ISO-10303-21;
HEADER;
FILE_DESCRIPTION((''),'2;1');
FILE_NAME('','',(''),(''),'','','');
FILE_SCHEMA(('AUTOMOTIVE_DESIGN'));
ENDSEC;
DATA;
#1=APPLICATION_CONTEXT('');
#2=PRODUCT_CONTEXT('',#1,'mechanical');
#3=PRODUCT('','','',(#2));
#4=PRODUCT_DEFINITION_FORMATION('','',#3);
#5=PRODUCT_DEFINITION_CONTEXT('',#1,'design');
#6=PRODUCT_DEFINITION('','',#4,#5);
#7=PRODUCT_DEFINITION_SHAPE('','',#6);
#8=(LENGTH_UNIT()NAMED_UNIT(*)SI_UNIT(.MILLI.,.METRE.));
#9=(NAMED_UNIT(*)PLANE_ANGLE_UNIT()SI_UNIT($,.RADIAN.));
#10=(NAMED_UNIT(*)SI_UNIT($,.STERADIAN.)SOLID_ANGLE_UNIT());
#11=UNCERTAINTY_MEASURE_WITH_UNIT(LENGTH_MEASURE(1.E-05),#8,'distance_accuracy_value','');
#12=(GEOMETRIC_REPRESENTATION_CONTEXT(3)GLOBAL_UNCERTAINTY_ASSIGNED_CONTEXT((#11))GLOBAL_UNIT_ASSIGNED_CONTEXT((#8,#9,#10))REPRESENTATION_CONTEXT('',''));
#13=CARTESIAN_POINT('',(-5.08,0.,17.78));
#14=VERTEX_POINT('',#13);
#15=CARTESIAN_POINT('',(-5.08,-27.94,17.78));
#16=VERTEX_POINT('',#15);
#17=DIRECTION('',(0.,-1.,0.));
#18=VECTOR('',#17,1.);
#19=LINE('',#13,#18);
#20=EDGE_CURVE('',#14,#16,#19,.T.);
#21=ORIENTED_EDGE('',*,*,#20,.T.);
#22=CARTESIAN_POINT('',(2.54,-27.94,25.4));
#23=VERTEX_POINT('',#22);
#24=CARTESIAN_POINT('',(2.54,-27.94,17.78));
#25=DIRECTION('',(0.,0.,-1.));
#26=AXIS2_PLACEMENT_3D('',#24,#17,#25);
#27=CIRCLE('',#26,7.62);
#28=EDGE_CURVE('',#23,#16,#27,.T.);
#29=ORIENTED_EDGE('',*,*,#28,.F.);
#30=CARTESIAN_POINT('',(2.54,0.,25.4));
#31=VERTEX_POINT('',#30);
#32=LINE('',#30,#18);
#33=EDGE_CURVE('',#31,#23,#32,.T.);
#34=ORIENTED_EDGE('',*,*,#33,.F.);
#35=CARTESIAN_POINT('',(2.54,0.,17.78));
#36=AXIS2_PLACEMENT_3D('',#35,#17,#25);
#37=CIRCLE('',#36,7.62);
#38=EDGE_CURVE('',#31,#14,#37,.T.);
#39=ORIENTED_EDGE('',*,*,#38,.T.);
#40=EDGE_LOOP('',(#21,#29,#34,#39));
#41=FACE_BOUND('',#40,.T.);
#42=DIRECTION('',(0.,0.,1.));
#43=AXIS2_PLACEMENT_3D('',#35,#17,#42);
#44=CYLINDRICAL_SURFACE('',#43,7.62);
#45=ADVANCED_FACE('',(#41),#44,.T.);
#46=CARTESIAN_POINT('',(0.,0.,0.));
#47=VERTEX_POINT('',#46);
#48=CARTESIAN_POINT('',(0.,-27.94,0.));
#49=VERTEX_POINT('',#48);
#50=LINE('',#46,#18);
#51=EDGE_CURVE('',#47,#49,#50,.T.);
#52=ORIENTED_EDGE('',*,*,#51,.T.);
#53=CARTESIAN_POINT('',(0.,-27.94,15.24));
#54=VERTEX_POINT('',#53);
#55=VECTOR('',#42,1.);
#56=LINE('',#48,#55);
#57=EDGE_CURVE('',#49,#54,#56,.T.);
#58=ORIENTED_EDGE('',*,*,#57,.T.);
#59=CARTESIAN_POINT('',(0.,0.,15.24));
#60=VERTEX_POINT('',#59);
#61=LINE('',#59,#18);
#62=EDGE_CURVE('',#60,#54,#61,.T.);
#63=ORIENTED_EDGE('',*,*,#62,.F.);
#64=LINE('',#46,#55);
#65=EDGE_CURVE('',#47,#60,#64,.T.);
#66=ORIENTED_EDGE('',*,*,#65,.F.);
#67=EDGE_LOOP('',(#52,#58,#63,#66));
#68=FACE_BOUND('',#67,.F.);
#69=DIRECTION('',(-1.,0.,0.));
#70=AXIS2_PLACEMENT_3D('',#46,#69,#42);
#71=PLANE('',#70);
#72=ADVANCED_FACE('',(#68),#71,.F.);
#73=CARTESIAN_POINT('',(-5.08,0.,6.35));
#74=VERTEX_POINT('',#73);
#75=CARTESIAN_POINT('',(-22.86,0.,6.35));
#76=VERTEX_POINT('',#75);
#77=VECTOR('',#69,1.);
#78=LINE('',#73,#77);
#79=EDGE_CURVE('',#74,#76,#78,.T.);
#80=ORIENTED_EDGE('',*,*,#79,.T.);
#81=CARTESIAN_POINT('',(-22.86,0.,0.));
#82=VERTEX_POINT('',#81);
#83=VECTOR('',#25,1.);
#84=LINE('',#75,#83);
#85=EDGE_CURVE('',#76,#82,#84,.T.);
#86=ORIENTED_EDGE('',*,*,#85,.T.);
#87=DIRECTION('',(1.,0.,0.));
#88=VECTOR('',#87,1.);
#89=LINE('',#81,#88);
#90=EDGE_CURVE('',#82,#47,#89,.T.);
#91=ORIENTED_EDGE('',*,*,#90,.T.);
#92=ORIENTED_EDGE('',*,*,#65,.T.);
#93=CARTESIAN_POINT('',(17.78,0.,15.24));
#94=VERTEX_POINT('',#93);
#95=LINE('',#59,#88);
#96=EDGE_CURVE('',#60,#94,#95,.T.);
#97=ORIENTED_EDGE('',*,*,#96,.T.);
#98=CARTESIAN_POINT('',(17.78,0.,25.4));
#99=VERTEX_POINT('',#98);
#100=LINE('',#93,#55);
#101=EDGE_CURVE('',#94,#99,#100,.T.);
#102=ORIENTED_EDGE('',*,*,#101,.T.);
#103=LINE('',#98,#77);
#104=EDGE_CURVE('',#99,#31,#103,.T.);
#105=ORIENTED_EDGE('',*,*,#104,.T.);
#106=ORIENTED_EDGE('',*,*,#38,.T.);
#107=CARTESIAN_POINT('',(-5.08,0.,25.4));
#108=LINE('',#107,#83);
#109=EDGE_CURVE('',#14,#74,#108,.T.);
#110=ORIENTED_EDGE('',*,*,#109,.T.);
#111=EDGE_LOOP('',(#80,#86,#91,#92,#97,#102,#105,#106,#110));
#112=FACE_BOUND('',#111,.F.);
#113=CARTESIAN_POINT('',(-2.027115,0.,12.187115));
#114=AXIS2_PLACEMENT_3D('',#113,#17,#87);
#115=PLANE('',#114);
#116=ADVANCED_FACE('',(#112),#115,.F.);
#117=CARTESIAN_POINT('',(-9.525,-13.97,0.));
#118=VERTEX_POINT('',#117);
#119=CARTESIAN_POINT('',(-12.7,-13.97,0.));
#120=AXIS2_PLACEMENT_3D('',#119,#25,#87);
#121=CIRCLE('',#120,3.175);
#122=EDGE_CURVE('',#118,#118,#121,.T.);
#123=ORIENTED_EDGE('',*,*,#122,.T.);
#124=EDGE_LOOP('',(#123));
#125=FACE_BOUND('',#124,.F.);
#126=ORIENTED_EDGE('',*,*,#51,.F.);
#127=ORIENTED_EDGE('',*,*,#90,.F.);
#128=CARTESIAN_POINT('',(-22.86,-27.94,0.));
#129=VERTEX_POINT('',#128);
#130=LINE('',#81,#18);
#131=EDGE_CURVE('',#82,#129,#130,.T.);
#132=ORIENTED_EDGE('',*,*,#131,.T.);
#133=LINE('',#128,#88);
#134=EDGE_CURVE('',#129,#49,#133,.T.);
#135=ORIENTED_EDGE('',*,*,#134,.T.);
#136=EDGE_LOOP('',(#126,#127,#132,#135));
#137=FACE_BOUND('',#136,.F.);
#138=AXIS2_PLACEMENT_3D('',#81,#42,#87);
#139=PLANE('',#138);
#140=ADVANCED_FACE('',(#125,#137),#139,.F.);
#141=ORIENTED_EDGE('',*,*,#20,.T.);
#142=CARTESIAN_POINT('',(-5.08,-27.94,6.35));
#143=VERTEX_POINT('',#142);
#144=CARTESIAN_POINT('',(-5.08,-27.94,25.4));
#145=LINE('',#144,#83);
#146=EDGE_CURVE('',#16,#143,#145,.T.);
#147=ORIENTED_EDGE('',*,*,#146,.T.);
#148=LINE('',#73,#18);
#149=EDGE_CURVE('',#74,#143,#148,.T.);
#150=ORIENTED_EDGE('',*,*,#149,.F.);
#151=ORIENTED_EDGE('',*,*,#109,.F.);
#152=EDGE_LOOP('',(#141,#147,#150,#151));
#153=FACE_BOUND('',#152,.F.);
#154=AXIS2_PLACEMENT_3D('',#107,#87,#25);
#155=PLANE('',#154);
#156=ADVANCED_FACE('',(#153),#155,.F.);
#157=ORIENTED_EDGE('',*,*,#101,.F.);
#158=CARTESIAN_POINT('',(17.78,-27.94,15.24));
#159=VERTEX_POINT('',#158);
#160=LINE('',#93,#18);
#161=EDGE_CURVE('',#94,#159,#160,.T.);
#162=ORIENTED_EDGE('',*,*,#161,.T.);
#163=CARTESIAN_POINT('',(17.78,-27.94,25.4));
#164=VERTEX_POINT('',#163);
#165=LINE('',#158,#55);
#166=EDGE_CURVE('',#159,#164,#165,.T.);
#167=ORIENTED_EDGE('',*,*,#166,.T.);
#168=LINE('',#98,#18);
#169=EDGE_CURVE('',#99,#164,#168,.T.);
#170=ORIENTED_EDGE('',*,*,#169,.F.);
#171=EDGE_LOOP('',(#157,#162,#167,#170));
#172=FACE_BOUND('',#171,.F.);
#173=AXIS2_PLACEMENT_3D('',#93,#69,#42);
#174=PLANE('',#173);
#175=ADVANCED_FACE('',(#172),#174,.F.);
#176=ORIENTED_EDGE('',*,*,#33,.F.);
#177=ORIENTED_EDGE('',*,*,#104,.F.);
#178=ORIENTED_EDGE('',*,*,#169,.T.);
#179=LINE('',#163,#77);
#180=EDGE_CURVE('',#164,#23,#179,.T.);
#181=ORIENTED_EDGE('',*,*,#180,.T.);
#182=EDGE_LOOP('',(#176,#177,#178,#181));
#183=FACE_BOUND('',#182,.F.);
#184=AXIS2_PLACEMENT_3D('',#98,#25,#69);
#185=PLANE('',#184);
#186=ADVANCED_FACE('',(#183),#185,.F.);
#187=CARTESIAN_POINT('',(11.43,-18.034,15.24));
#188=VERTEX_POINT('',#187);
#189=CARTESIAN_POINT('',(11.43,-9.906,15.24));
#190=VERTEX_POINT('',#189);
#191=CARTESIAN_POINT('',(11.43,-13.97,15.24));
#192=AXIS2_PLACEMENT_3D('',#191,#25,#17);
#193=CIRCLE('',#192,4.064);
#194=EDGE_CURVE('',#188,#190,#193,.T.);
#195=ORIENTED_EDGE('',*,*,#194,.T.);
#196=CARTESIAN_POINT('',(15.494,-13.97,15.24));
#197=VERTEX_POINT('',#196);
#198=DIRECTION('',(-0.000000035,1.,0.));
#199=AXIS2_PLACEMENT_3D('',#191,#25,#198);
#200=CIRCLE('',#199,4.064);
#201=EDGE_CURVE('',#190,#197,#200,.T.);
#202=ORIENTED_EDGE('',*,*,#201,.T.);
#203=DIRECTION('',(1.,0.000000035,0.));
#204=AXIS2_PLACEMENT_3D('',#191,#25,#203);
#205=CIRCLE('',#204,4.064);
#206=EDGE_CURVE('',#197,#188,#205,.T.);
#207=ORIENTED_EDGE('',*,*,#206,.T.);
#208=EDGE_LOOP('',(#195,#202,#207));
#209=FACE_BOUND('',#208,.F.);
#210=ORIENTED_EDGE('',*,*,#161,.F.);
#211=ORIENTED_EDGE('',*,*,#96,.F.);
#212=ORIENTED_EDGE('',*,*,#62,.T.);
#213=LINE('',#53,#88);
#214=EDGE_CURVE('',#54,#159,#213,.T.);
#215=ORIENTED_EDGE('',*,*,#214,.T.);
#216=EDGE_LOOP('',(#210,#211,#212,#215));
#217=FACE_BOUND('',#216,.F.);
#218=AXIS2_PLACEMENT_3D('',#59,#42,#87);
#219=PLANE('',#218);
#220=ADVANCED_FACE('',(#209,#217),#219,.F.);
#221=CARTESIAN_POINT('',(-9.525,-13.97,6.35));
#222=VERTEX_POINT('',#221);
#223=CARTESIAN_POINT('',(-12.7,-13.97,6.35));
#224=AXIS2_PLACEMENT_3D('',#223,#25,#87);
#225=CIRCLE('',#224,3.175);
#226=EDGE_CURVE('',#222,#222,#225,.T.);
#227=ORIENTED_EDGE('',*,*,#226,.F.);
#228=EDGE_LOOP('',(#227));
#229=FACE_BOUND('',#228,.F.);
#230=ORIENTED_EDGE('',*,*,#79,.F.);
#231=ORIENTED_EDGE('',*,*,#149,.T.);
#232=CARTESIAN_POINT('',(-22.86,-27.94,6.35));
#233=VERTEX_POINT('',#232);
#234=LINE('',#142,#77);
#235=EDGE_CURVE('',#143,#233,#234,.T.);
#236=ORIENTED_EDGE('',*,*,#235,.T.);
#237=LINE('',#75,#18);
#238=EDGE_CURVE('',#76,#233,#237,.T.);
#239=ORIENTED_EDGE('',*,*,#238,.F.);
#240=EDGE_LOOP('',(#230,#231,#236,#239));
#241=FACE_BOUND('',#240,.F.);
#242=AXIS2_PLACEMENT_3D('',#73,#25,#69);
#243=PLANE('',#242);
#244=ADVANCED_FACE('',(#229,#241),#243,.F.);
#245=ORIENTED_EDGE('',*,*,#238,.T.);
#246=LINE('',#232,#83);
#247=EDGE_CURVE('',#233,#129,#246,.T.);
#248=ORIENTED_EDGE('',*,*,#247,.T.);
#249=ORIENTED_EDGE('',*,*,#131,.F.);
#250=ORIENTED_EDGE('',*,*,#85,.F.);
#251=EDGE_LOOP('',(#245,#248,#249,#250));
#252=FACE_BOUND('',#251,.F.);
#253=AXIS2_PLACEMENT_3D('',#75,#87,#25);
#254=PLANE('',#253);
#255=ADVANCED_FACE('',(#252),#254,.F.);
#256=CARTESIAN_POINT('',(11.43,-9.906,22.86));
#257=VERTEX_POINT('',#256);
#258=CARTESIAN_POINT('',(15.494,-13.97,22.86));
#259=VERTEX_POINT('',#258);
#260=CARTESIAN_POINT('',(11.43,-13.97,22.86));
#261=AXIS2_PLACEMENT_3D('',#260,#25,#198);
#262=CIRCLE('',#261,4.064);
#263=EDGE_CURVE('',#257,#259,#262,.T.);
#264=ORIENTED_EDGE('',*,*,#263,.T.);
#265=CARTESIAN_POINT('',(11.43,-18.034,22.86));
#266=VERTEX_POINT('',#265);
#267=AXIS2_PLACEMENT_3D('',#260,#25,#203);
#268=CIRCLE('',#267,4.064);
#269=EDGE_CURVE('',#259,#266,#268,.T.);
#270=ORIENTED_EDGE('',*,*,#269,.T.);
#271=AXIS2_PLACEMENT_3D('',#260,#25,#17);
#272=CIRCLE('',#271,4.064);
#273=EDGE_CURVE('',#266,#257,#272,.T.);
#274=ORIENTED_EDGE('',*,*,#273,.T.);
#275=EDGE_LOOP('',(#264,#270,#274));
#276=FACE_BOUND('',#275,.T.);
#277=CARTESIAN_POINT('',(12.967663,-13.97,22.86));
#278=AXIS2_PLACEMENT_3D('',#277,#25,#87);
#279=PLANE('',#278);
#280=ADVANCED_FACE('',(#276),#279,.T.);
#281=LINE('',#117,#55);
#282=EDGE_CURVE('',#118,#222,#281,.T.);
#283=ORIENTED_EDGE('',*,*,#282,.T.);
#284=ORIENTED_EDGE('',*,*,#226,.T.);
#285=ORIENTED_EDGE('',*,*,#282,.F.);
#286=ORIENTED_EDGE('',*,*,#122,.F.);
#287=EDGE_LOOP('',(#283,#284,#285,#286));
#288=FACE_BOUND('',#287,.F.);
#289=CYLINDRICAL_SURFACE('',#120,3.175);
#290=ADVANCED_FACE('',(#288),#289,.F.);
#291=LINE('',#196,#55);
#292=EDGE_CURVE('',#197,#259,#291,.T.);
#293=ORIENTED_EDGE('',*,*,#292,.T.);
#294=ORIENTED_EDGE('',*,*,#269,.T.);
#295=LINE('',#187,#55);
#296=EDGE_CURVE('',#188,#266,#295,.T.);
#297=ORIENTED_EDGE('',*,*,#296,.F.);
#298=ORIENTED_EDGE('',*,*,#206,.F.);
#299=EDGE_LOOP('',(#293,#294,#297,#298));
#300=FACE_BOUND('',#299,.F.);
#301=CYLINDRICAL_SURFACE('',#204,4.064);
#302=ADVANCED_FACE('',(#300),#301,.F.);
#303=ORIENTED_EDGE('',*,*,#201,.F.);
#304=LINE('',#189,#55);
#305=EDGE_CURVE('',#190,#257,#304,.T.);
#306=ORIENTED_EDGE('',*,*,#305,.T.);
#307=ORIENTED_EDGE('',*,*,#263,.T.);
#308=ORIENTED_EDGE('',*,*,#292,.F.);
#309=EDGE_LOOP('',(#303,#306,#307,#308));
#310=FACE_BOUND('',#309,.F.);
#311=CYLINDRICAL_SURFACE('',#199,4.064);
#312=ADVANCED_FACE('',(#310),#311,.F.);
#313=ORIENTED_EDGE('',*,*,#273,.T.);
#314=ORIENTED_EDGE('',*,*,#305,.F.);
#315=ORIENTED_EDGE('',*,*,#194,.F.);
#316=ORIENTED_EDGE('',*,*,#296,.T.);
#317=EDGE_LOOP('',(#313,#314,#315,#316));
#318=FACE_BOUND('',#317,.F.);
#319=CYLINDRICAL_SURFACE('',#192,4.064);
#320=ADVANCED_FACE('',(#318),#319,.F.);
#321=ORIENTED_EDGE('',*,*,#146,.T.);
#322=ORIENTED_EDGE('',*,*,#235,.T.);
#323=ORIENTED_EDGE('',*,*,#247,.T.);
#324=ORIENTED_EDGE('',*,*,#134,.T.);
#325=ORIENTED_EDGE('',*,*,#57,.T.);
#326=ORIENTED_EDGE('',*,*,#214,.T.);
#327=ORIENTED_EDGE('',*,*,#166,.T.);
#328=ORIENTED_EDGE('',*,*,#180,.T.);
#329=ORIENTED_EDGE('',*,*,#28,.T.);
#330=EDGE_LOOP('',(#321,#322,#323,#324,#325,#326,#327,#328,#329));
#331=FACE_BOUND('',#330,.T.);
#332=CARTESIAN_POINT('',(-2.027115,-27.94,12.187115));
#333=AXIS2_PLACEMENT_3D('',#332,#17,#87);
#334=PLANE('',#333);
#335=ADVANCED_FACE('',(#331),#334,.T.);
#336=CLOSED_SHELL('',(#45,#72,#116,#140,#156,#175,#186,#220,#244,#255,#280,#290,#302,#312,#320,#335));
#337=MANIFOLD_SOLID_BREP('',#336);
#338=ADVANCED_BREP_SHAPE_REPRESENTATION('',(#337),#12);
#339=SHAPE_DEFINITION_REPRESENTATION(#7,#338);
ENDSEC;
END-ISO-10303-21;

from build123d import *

# Parameters (mm, degrees)
F1_DEPTH = 27.94
F3_DEPTH = 7.62
F4_R     = 7.62
F5_R     = 3.175
F6_DEPTH = 25.4


with BuildPart() as f1:
    # F0 (on Front) → F1 (new body)
    with BuildSketch(Plane.XZ):
        Polygon((-22.86, 0), (0, 0), (0, 15.24), (17.78, 15.24), (17.78, 25.4), (-5.08, 25.4), (-5.08, 6.35), (-22.86, 6.35), align=None)
    extrude(amount=F1_DEPTH)

    # F2 (on face) → F3 (cut)
    with BuildSketch(Plane(origin=(0, 0, 15.24), x_dir=(1, 0, 0), z_dir=(0, 0, -1))):
        with BuildLine():
            ThreePointArc((11.43, 9.906), (14.303682, 11.096318), (15.494, 13.97))
            ThreePointArc((15.494, 13.97), (14.303682, 16.843682), (11.43, 18.034))
            Line((11.43, 18.034), (11.43, 9.906))
        make_face()
        with BuildLine():
            Line((11.43, 9.906), (11.43, 18.034))
            ThreePointArc((11.43, 18.034), (7.366, 13.97), (11.43, 9.906))
        make_face()
    extrude(amount=-F3_DEPTH, mode=Mode.SUBTRACT)

    # F4
    f4_edges = [f1.edges().sort_by_distance(p)[0] for p in [
        (-5.08, -13.97, 25.4),
    ]]
    fillet(f4_edges, radius=F4_R)

    # F5 (on face) → F6 (cut)
    with BuildSketch(Plane(origin=(0, 0, 0), x_dir=(1, 0, 0), z_dir=(0, 0, -1))):
        with Locations((-12.7, 13.97)):
            Circle(F5_R)
    extrude(amount=-F6_DEPTH, mode=Mode.SUBTRACT)


solid = f1.part
